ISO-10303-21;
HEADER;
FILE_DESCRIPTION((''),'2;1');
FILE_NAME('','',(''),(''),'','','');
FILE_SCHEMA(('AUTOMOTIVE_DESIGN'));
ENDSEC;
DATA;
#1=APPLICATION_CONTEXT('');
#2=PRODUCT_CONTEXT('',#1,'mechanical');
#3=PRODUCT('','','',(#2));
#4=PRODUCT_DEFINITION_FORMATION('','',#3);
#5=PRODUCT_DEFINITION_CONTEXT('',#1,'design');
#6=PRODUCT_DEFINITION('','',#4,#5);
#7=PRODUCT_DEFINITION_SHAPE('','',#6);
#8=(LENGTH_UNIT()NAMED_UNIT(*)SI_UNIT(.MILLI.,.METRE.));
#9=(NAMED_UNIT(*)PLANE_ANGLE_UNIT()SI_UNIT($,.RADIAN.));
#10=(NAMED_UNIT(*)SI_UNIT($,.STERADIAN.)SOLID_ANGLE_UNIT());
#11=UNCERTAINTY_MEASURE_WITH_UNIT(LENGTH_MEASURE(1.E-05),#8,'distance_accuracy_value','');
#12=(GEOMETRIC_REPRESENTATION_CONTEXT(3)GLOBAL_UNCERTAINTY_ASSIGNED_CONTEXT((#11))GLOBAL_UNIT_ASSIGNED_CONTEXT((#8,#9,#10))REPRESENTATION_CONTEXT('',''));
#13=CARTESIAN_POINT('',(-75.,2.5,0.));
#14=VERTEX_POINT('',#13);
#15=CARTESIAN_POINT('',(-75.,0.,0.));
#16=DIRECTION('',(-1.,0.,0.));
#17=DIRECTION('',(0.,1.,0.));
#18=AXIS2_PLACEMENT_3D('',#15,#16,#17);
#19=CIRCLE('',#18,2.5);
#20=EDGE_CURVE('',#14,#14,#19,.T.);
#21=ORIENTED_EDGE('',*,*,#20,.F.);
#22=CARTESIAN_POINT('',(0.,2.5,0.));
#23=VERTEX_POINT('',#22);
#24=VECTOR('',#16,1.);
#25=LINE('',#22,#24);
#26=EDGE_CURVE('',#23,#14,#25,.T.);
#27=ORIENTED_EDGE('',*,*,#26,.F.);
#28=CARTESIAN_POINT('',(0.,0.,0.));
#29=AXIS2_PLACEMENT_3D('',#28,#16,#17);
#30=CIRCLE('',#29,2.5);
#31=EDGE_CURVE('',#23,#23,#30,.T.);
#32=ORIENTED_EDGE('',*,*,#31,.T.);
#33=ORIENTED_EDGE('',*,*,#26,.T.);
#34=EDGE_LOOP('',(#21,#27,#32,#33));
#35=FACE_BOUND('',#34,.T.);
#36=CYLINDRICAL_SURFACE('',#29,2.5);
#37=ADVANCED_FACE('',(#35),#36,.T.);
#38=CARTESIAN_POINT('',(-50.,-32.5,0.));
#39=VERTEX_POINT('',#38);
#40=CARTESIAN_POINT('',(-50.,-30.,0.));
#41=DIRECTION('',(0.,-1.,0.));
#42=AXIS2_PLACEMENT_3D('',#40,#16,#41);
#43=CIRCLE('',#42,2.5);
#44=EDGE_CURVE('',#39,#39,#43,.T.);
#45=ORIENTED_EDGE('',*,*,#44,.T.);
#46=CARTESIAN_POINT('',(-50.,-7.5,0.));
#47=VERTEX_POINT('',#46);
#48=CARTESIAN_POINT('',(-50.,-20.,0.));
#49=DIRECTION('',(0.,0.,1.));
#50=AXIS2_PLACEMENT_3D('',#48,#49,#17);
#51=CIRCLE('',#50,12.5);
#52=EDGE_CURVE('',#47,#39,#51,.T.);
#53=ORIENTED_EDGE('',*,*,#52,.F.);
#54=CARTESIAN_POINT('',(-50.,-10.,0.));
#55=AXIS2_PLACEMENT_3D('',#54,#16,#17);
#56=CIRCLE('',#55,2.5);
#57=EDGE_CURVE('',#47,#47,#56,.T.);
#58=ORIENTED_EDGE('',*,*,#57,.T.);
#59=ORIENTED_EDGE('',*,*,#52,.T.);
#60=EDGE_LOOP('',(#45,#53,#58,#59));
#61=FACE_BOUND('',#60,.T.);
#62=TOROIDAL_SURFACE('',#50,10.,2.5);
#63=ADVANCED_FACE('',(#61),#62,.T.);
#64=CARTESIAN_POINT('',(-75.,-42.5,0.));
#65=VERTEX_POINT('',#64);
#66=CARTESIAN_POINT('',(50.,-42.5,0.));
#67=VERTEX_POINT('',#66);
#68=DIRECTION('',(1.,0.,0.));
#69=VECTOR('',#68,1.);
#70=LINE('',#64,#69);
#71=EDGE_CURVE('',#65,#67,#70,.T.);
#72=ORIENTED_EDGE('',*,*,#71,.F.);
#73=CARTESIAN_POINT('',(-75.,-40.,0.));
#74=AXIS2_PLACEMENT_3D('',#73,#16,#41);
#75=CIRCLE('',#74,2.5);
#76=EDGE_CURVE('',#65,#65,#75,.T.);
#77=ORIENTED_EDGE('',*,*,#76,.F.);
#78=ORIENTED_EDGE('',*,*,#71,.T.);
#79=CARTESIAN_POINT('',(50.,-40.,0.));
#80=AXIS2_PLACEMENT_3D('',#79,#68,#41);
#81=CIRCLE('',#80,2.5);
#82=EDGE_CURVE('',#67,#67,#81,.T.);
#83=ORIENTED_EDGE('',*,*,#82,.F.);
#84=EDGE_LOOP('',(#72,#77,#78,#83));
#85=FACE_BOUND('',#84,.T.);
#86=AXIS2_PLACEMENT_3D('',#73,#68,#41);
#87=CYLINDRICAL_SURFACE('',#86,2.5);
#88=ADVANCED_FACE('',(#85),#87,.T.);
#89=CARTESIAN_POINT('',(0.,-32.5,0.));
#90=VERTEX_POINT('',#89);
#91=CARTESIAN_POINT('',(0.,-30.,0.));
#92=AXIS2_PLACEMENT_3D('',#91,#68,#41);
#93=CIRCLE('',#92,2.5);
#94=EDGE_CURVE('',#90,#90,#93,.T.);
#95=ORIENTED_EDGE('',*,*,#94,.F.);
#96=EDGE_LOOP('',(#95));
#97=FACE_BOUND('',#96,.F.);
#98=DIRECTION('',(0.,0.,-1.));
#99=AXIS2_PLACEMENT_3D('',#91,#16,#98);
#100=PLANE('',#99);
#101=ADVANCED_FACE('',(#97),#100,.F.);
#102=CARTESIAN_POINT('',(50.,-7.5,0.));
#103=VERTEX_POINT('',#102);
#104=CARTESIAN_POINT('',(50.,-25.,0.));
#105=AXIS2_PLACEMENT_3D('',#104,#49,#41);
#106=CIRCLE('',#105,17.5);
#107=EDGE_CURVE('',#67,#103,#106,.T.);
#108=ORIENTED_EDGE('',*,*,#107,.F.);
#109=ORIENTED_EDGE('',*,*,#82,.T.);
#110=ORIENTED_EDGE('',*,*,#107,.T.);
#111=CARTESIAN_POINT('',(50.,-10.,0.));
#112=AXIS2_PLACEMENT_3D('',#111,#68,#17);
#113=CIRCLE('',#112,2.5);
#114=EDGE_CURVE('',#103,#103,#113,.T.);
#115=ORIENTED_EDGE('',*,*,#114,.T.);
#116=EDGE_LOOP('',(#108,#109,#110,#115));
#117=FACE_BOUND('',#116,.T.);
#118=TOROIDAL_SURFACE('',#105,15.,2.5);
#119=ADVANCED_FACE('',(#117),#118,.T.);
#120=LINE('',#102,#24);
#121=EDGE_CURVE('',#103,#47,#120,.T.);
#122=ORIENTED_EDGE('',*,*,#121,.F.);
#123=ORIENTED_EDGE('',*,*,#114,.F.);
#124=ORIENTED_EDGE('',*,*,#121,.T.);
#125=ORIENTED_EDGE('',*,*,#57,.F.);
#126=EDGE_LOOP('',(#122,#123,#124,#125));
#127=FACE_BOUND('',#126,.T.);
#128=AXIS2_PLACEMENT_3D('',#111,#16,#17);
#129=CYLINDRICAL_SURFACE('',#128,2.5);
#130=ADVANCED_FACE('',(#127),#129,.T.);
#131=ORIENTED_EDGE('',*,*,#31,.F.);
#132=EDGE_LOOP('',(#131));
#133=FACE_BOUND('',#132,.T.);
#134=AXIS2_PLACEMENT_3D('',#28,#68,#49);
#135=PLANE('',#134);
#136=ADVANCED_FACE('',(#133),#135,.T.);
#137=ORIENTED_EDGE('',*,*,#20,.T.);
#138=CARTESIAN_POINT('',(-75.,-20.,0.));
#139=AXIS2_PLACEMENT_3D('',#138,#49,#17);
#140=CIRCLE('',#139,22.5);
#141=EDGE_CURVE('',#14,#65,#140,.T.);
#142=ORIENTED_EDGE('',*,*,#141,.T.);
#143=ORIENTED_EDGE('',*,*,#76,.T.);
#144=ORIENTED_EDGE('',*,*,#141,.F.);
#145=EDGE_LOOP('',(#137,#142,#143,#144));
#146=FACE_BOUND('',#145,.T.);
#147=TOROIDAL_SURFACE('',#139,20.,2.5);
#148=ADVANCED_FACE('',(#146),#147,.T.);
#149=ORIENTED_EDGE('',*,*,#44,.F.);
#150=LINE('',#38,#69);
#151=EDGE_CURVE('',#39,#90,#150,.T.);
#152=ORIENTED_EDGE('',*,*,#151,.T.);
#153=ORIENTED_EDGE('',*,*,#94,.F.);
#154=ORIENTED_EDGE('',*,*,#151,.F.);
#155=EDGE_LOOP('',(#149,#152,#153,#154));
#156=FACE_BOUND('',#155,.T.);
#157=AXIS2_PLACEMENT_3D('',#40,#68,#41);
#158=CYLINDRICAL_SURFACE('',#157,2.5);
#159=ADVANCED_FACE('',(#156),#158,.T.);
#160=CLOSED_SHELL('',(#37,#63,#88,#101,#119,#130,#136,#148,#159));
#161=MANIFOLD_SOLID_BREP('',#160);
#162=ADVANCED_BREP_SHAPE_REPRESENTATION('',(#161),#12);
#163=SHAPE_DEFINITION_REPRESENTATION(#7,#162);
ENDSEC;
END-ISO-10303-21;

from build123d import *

# Parameters (mm, degrees)
F1_R = 2.5


with BuildPart() as f2:
    # F2: sweep along a path in F0
    with BuildLine(Plane.XY) as f2_path:
        Line((0, 0), (-75, 0))
        ThreePointArc((-75, 0), (-95, -20), (-75, -40))
        Line((-75, -40), (50, -40))
        ThreePointArc((50, -40), (65, -25), (50, -10))
        Line((50, -10), (-50, -10))
        ThreePointArc((-50, -10), (-60, -20), (-50, -30))
        Line((-50, -30), (0, -30))
    # F1 (on Right) → F2 (sweep)
    with BuildSketch(Plane.YZ):
        Circle(F1_R)
    sweep(path=f2_path.line)


solid = f2.part
